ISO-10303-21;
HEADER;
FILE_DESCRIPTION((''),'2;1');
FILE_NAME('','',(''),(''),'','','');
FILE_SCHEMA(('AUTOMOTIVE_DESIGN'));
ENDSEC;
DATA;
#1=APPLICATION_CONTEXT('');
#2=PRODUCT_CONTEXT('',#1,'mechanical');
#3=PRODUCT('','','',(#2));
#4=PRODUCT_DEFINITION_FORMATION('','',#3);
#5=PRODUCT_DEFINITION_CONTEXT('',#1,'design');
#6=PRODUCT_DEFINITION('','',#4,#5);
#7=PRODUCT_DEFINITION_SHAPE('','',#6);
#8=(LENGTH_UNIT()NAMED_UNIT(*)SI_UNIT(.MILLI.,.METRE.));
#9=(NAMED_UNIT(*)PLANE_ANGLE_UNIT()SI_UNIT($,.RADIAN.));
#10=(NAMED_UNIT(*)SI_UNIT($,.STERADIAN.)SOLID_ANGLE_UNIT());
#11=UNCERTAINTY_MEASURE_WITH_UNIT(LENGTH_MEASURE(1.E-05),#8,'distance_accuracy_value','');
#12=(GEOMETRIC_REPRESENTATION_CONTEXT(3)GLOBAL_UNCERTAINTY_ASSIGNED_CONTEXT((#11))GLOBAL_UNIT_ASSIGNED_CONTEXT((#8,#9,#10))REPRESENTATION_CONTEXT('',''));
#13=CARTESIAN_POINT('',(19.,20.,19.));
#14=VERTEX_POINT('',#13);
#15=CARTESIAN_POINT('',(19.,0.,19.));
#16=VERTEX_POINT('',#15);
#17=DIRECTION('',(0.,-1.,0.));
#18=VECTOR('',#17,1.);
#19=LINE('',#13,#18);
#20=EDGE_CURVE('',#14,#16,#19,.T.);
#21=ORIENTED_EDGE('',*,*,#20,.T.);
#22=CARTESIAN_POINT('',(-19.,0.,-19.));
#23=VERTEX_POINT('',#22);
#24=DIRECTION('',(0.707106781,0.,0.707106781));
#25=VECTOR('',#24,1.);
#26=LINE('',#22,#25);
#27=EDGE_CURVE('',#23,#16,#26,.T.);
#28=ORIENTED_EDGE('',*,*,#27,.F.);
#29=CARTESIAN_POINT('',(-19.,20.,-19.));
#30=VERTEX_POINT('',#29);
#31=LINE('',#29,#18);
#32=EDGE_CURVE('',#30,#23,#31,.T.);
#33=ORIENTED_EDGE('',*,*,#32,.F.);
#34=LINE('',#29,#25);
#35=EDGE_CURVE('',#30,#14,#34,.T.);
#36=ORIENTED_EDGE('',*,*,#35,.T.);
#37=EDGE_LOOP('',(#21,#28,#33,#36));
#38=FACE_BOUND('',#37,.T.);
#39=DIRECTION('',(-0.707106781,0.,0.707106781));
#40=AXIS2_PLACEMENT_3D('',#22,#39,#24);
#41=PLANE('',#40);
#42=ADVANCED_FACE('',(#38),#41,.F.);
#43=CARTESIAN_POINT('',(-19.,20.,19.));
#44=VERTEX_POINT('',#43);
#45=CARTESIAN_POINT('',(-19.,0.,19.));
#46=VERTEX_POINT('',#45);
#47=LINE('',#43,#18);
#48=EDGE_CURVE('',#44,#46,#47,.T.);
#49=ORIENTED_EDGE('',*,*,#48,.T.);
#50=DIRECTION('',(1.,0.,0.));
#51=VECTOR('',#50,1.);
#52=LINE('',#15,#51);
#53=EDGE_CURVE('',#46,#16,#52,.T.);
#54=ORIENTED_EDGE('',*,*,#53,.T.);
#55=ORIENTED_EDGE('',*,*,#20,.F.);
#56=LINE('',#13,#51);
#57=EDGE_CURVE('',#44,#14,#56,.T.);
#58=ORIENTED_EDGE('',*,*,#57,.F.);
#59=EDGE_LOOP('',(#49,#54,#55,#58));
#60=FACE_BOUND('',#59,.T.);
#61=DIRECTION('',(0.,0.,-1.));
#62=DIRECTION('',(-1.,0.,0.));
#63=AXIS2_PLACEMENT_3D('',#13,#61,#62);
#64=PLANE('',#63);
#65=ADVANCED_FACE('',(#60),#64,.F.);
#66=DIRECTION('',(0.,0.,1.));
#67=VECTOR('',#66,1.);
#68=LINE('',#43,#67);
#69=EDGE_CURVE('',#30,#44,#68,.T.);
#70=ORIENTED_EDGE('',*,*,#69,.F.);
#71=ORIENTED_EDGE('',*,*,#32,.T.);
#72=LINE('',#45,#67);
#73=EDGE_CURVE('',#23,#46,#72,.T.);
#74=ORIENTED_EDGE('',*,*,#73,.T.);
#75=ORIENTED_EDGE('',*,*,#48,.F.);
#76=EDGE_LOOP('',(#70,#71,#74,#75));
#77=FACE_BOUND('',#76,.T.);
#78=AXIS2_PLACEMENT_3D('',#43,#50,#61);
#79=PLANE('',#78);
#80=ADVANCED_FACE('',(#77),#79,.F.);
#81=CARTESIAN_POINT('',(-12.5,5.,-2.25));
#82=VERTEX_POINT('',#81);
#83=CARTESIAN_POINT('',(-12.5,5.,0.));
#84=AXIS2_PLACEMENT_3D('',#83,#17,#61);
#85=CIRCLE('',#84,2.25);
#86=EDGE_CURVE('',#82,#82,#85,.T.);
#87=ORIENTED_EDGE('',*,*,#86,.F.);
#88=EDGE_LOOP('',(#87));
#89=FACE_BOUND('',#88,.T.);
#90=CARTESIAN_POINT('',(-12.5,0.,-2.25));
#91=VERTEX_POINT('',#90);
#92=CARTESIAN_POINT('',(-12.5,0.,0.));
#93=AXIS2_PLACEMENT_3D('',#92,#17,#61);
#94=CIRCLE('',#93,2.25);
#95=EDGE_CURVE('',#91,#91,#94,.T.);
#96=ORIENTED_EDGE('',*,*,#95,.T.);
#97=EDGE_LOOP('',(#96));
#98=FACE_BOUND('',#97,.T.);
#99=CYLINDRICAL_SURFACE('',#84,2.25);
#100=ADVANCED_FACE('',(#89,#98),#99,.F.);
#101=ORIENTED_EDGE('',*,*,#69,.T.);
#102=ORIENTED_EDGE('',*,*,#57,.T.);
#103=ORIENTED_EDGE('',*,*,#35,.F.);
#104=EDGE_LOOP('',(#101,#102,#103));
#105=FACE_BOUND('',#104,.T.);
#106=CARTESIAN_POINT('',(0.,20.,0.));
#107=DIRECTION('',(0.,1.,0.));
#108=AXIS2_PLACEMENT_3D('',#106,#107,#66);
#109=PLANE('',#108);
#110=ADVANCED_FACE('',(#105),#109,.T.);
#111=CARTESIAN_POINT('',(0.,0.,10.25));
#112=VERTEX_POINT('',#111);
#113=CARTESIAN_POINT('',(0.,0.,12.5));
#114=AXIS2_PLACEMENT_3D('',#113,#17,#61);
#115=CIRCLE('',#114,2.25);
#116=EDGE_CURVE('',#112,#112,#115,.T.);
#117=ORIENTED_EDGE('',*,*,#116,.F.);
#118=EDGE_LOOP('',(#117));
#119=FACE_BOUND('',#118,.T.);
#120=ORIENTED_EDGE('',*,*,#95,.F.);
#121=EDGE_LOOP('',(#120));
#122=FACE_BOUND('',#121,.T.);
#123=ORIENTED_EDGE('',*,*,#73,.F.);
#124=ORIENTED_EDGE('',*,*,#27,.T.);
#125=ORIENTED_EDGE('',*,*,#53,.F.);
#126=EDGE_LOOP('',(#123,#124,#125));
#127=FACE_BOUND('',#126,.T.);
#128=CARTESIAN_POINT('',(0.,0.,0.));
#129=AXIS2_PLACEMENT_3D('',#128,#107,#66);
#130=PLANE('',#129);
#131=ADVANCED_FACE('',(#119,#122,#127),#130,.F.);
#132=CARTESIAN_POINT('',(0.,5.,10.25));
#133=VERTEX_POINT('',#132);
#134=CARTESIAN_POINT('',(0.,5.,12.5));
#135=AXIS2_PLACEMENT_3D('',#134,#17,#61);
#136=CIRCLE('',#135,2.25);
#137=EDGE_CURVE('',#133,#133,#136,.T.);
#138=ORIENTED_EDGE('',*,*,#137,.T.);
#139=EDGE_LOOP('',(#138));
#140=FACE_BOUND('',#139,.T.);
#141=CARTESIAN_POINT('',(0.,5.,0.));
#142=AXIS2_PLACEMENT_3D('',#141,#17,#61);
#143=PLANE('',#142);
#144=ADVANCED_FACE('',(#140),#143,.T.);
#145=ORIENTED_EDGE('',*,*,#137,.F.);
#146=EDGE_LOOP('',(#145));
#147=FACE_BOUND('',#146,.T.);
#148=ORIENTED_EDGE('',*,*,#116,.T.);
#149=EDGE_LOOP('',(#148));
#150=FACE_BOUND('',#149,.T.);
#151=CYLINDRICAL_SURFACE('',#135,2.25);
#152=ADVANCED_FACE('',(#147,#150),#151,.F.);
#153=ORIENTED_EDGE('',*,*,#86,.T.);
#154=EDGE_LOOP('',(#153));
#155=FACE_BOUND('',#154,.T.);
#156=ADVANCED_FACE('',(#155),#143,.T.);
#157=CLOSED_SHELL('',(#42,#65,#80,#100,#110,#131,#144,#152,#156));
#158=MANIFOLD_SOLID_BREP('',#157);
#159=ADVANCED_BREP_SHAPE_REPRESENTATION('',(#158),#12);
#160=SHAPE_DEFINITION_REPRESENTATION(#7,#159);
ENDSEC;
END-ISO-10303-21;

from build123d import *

# Parameters (mm, degrees)
SKETCH2_W           = 38
SKETCH2_H           = 38
BOSS_EXTRUDE1_DEPTH = 20
CUT_EXTRUDE1_DEPTH  = 20
SKETCH7_R           = 2.25
CUT_EXTRUDE2_DEPTH  = 5


with BuildPart() as part:
    # Sketch2 → Boss-Extrude1 (new body)
    with BuildSketch(Plane(origin=(0, 0, 0), x_dir=(1, 0, 0), z_dir=(0, 1, 0))):
        Rectangle(SKETCH2_W, SKETCH2_H)
    extrude(amount=BOSS_EXTRUDE1_DEPTH)

    # Sketch3 → Cut-Extrude1 (cut)
    with BuildSketch(Plane(origin=(0, 20, 0), x_dir=(1, 0, 0), z_dir=(0, 1, 0))):
        Polygon((-19, 19), (19, -19), (19, 19), align=None)
    extrude(amount=-CUT_EXTRUDE1_DEPTH, mode=Mode.SUBTRACT)

    # Sketch7 → Cut-Extrude2 (cut)
    with BuildSketch(Plane(origin=(0, 0, 0), x_dir=(-1, 0, 0), z_dir=(0, -1, 0))):
        with Locations(Location((12.5, 0, 0), (0, 0, 90))):
            Circle(SKETCH7_R)
        with Locations(Location((0, -12.5, 0), (0, 0, 90))):
            Circle(SKETCH7_R)
    extrude(amount=-CUT_EXTRUDE2_DEPTH, mode=Mode.SUBTRACT)


solid = part.part
